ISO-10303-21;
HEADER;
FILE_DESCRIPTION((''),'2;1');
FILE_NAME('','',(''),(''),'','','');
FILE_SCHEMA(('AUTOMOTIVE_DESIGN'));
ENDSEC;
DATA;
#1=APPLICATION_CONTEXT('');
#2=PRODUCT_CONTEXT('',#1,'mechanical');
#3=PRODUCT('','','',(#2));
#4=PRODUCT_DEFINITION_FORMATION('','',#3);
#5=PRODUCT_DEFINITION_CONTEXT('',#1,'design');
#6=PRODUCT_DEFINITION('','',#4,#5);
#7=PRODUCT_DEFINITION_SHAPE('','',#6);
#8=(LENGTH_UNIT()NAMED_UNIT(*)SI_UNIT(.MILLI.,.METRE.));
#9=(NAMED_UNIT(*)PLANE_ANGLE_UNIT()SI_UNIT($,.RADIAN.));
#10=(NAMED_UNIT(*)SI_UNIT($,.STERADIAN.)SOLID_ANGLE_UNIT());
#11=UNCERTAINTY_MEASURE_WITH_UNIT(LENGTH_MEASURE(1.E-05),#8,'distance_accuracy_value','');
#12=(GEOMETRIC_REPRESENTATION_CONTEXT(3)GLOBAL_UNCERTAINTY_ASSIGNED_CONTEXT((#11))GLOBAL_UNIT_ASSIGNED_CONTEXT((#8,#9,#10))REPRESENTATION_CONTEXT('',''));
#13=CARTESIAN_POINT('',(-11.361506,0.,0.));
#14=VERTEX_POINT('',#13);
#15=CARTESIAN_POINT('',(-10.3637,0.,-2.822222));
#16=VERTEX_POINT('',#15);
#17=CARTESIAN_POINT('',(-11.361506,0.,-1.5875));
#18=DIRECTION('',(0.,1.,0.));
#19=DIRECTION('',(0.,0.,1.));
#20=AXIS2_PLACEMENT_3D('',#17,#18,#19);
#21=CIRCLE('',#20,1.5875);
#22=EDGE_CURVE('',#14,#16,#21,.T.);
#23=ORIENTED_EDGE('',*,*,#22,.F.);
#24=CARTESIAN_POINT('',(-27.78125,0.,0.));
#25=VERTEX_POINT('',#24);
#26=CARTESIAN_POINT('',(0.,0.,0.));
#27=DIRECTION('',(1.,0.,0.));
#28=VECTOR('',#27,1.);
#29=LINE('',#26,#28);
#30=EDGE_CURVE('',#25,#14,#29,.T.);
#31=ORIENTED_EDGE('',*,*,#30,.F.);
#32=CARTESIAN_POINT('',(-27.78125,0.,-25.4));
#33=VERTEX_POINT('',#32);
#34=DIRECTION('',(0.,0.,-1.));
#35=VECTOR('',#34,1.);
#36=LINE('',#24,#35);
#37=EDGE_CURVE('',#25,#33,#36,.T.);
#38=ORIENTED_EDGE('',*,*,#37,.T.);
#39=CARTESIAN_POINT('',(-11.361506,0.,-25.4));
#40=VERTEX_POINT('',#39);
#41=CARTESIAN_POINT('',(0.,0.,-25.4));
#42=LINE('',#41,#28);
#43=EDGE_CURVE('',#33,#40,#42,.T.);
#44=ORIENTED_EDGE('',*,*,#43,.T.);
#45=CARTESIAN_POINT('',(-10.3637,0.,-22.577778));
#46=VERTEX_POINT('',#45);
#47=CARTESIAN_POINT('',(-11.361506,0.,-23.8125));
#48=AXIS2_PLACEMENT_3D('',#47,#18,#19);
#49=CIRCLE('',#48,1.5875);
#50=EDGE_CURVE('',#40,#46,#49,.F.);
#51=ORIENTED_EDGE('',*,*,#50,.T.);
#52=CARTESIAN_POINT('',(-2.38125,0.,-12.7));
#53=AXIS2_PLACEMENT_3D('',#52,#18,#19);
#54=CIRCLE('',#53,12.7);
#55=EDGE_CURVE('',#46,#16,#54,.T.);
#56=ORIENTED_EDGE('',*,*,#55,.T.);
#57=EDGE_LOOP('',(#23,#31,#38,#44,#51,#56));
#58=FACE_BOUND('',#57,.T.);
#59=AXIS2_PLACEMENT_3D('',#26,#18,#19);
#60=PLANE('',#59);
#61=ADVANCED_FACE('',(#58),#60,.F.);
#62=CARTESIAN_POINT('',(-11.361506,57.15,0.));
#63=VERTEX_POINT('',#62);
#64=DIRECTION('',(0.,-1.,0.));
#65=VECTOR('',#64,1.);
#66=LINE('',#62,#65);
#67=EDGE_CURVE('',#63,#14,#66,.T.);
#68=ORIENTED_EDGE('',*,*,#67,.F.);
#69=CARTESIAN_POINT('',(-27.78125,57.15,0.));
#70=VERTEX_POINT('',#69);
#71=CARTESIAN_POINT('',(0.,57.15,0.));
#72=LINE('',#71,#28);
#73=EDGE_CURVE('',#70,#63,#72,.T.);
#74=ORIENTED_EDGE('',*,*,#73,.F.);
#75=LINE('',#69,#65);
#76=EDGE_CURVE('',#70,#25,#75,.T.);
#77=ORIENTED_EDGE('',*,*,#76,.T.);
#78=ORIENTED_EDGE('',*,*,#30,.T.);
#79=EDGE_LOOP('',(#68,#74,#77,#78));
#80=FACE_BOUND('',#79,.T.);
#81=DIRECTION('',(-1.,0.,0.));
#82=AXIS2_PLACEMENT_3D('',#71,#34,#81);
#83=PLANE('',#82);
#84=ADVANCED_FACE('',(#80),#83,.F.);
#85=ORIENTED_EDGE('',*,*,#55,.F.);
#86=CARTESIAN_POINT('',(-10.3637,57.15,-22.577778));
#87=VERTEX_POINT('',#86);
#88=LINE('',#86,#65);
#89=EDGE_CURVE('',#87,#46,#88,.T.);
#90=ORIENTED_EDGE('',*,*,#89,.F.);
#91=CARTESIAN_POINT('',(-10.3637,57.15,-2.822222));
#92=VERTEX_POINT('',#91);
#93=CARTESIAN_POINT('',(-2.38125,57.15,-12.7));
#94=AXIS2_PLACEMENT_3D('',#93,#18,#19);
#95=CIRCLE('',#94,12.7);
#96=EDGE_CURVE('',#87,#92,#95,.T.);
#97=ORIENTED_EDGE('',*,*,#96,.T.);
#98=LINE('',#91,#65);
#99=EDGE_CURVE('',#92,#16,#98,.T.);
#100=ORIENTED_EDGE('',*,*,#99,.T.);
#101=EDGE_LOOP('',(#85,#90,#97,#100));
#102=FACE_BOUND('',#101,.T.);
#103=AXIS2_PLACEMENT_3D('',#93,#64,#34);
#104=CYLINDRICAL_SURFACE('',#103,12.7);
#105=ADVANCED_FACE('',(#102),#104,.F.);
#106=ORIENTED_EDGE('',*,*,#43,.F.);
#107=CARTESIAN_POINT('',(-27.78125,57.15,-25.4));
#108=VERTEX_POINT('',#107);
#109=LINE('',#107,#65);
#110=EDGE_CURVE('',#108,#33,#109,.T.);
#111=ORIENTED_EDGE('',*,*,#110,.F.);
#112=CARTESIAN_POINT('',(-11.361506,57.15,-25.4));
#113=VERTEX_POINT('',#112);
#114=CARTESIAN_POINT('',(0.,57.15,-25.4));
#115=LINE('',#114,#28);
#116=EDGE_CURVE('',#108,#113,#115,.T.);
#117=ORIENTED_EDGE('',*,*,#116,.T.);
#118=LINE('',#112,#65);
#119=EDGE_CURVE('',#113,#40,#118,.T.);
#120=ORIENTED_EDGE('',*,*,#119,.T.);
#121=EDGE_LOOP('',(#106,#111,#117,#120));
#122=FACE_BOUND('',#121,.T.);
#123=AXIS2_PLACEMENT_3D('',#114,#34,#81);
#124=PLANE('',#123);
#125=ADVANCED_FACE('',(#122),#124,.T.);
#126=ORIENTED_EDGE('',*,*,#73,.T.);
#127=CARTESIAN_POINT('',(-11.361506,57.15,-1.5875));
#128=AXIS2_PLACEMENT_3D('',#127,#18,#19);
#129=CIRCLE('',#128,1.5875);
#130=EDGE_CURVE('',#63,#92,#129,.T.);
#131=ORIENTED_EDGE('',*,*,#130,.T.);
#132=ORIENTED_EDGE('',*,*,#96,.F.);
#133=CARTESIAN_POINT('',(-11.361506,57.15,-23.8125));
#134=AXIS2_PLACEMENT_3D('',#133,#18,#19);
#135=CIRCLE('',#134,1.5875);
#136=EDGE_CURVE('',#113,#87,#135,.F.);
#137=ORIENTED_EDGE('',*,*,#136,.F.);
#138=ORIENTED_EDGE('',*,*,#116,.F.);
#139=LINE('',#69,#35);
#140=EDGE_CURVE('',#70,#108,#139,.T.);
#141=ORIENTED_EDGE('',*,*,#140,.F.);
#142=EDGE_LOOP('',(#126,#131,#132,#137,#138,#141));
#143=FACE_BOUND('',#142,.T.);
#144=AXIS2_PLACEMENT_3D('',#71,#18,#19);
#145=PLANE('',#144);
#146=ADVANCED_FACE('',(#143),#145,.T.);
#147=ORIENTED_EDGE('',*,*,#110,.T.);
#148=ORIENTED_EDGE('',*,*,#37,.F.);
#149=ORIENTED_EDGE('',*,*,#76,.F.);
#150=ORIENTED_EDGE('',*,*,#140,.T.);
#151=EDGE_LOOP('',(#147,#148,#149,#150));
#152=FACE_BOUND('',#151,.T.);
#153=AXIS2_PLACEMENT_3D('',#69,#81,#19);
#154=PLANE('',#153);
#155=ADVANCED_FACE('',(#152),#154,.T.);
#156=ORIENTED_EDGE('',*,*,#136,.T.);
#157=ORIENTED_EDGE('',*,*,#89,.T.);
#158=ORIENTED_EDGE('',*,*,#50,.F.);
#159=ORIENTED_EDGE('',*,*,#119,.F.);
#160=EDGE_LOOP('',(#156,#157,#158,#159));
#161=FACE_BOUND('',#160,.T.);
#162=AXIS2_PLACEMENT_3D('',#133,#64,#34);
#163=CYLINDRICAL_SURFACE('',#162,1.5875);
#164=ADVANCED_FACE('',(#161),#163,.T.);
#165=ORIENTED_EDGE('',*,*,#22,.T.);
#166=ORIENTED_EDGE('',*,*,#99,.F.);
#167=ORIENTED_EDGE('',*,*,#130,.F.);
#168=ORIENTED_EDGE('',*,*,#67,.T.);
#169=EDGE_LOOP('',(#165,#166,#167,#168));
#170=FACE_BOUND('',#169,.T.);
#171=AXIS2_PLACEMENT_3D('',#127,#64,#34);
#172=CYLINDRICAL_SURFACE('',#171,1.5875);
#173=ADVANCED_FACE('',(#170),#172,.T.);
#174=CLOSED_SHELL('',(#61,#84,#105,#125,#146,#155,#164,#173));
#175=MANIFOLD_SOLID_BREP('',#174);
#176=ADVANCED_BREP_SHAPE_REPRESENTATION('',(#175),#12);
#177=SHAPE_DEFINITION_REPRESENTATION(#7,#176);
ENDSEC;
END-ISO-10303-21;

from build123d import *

# Parameters (mm, degrees)
BOSS_EXTRUDE1_DEPTH = 57.15


with BuildPart() as part:
    # Sketch3 → Boss-Extrude1 (new body)
    with BuildSketch(Plane(origin=(0, 0, 0), x_dir=(1, 0, 0), z_dir=(0, 1, 0))):
        with BuildLine():
            Line((-27.78125, 0), (-27.78125, 25.4))
            Line((-27.78125, 25.4), (-11.361506121, 25.4))
            ThreePointArc((-11.361506121, 25.4), (-9.864796768, 24.341666667), (-10.363699885, 22.577777778))
            ThreePointArc((-10.363699885, 22.577777778), (-15.08125, 12.7), (-10.363699885, 2.822222222))
            ThreePointArc((-10.363699885, 2.822222222), (-9.864796768, 1.058333333), (-11.361506121, 0))
            Line((-11.361506121, 0), (-27.78125, 0))
        make_face()
    extrude(amount=BOSS_EXTRUDE1_DEPTH)


solid = part.part
